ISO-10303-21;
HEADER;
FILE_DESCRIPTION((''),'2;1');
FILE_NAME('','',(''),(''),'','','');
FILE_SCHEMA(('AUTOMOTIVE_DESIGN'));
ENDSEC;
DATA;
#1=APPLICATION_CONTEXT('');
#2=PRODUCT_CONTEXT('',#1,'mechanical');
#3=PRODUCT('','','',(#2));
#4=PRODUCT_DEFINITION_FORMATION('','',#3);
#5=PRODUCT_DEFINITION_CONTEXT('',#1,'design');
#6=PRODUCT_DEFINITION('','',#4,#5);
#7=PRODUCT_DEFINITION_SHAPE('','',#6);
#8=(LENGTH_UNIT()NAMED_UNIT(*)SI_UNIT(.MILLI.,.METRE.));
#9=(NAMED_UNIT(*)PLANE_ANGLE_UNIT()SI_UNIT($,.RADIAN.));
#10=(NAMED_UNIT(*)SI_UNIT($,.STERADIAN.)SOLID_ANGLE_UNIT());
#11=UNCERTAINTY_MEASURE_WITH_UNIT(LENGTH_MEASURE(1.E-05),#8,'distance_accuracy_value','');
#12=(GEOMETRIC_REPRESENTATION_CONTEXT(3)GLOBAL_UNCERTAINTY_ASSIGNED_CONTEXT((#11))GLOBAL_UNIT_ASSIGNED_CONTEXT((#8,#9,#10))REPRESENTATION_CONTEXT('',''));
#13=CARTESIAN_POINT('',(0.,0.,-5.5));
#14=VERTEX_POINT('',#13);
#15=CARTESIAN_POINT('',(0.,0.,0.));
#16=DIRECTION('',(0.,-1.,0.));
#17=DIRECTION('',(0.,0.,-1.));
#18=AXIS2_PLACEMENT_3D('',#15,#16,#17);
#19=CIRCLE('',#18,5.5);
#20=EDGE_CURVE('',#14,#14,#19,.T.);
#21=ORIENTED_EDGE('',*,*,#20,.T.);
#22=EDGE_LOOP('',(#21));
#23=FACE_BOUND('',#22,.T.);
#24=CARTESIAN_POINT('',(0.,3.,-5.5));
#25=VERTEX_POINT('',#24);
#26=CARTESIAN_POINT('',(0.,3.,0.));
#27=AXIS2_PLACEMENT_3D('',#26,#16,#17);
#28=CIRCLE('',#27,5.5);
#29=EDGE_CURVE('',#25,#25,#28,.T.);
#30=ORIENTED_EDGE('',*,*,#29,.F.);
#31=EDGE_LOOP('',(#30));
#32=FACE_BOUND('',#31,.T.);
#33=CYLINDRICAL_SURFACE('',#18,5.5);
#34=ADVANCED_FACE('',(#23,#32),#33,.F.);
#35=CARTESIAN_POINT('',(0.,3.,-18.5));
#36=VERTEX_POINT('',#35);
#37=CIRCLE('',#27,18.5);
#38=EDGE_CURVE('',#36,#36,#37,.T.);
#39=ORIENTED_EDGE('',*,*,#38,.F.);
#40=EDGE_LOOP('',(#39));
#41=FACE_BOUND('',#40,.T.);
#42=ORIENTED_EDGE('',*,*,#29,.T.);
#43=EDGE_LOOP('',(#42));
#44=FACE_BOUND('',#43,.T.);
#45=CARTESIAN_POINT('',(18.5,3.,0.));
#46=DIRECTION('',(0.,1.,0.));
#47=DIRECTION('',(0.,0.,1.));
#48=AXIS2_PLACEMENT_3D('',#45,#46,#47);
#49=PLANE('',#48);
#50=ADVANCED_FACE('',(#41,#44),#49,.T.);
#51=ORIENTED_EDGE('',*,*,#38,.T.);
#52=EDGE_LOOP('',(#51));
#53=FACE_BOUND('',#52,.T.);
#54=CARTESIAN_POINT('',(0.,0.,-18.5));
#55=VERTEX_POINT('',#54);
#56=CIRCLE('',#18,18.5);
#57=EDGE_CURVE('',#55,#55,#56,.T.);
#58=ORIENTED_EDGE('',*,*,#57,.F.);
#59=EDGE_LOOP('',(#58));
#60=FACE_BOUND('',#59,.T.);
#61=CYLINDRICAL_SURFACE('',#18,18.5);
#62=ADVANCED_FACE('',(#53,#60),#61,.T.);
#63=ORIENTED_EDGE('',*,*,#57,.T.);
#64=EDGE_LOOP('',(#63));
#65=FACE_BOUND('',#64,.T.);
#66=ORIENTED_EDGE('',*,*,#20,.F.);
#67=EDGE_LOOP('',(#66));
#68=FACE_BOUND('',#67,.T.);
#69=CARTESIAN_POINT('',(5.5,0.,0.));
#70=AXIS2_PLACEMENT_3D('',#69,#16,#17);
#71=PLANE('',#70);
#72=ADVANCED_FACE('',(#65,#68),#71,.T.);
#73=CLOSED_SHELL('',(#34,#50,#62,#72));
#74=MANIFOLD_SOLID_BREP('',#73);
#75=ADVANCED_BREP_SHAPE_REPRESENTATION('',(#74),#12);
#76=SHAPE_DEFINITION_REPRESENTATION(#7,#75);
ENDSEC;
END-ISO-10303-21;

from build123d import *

# Parameters (mm, degrees)
SKETCH_2_W = 13
SKETCH_2_H = 3


with BuildPart() as part:
    # 草图2 → 旋转1 (revolve)
    with BuildSketch(Plane.XY, mode=Mode.PRIVATE) as revolve_1_sk:
        with Locations((12, 1.5)):
            Rectangle(SKETCH_2_W, SKETCH_2_H)
    revolve(revolve_1_sk.sketch.rotate(Axis((0, 0, 0), (0, 1, 0)), 90), axis=Axis((0, 0, 0), (0, 1, 0)))


solid = part.part
